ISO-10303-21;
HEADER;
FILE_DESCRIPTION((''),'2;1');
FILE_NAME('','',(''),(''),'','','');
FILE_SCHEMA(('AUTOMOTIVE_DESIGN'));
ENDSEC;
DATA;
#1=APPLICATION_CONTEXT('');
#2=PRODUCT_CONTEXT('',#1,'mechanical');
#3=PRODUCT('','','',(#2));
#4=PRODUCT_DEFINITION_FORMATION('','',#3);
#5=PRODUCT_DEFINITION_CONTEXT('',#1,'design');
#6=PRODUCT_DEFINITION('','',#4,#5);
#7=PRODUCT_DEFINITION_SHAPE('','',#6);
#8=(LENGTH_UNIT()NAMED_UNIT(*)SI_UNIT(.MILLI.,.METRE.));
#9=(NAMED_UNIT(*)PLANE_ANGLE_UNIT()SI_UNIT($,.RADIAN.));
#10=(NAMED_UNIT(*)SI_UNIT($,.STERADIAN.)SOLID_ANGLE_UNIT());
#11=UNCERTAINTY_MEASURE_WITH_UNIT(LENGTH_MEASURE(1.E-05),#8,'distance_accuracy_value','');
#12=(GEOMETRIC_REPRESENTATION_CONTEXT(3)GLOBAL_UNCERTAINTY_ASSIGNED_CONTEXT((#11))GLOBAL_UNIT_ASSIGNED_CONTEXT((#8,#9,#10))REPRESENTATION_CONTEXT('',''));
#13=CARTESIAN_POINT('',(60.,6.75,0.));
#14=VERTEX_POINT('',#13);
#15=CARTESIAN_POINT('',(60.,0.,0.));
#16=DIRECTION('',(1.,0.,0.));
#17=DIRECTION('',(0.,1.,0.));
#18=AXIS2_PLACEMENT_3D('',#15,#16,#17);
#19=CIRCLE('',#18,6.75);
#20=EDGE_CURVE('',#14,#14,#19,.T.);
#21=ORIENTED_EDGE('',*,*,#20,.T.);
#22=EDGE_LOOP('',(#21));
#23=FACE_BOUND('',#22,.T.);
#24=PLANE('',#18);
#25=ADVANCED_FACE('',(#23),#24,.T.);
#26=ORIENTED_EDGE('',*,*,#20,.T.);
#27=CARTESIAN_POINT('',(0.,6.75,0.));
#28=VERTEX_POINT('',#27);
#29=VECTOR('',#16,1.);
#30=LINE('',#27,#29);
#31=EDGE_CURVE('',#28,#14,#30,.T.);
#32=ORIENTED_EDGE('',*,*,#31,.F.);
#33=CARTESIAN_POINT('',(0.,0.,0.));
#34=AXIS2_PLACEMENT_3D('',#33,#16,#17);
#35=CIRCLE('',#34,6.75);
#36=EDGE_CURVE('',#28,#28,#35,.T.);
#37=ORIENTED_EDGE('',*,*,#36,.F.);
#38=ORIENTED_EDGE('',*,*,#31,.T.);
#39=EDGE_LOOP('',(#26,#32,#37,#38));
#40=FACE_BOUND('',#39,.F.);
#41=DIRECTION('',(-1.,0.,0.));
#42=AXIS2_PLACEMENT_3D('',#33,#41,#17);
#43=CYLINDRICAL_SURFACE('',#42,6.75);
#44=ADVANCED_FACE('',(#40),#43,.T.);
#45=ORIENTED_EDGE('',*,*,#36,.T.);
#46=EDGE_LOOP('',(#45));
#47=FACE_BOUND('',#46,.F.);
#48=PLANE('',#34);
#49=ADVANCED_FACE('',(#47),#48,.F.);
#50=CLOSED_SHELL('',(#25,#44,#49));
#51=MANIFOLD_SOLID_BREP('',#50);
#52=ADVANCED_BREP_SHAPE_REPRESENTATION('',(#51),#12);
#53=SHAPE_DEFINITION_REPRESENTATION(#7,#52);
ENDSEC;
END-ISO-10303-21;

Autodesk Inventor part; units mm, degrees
ref_plane "YZ Plane" through (0, 0, 0) normal (1, 0, 0) x (0, 1, 0)
ref_plane "XZ Plane" through (0, 0, 0) normal (0, 1, 0) x (-1, 0, 0)
ref_plane "XY Plane" through (0, 0, 0) normal (0, 0, 1) x (1, 0, 0)
sketch "Sketch1" plane through (0, 0, 0) normal (1, 0, 0) x (0, 1, 0)
  circle A0 centre (0, 0) radius 6.75
  dimension "d0" = 13.5
extrude "Extrusion1" add sketch "Sketch1" along normal blind 60
properties part number "Pin_01"
